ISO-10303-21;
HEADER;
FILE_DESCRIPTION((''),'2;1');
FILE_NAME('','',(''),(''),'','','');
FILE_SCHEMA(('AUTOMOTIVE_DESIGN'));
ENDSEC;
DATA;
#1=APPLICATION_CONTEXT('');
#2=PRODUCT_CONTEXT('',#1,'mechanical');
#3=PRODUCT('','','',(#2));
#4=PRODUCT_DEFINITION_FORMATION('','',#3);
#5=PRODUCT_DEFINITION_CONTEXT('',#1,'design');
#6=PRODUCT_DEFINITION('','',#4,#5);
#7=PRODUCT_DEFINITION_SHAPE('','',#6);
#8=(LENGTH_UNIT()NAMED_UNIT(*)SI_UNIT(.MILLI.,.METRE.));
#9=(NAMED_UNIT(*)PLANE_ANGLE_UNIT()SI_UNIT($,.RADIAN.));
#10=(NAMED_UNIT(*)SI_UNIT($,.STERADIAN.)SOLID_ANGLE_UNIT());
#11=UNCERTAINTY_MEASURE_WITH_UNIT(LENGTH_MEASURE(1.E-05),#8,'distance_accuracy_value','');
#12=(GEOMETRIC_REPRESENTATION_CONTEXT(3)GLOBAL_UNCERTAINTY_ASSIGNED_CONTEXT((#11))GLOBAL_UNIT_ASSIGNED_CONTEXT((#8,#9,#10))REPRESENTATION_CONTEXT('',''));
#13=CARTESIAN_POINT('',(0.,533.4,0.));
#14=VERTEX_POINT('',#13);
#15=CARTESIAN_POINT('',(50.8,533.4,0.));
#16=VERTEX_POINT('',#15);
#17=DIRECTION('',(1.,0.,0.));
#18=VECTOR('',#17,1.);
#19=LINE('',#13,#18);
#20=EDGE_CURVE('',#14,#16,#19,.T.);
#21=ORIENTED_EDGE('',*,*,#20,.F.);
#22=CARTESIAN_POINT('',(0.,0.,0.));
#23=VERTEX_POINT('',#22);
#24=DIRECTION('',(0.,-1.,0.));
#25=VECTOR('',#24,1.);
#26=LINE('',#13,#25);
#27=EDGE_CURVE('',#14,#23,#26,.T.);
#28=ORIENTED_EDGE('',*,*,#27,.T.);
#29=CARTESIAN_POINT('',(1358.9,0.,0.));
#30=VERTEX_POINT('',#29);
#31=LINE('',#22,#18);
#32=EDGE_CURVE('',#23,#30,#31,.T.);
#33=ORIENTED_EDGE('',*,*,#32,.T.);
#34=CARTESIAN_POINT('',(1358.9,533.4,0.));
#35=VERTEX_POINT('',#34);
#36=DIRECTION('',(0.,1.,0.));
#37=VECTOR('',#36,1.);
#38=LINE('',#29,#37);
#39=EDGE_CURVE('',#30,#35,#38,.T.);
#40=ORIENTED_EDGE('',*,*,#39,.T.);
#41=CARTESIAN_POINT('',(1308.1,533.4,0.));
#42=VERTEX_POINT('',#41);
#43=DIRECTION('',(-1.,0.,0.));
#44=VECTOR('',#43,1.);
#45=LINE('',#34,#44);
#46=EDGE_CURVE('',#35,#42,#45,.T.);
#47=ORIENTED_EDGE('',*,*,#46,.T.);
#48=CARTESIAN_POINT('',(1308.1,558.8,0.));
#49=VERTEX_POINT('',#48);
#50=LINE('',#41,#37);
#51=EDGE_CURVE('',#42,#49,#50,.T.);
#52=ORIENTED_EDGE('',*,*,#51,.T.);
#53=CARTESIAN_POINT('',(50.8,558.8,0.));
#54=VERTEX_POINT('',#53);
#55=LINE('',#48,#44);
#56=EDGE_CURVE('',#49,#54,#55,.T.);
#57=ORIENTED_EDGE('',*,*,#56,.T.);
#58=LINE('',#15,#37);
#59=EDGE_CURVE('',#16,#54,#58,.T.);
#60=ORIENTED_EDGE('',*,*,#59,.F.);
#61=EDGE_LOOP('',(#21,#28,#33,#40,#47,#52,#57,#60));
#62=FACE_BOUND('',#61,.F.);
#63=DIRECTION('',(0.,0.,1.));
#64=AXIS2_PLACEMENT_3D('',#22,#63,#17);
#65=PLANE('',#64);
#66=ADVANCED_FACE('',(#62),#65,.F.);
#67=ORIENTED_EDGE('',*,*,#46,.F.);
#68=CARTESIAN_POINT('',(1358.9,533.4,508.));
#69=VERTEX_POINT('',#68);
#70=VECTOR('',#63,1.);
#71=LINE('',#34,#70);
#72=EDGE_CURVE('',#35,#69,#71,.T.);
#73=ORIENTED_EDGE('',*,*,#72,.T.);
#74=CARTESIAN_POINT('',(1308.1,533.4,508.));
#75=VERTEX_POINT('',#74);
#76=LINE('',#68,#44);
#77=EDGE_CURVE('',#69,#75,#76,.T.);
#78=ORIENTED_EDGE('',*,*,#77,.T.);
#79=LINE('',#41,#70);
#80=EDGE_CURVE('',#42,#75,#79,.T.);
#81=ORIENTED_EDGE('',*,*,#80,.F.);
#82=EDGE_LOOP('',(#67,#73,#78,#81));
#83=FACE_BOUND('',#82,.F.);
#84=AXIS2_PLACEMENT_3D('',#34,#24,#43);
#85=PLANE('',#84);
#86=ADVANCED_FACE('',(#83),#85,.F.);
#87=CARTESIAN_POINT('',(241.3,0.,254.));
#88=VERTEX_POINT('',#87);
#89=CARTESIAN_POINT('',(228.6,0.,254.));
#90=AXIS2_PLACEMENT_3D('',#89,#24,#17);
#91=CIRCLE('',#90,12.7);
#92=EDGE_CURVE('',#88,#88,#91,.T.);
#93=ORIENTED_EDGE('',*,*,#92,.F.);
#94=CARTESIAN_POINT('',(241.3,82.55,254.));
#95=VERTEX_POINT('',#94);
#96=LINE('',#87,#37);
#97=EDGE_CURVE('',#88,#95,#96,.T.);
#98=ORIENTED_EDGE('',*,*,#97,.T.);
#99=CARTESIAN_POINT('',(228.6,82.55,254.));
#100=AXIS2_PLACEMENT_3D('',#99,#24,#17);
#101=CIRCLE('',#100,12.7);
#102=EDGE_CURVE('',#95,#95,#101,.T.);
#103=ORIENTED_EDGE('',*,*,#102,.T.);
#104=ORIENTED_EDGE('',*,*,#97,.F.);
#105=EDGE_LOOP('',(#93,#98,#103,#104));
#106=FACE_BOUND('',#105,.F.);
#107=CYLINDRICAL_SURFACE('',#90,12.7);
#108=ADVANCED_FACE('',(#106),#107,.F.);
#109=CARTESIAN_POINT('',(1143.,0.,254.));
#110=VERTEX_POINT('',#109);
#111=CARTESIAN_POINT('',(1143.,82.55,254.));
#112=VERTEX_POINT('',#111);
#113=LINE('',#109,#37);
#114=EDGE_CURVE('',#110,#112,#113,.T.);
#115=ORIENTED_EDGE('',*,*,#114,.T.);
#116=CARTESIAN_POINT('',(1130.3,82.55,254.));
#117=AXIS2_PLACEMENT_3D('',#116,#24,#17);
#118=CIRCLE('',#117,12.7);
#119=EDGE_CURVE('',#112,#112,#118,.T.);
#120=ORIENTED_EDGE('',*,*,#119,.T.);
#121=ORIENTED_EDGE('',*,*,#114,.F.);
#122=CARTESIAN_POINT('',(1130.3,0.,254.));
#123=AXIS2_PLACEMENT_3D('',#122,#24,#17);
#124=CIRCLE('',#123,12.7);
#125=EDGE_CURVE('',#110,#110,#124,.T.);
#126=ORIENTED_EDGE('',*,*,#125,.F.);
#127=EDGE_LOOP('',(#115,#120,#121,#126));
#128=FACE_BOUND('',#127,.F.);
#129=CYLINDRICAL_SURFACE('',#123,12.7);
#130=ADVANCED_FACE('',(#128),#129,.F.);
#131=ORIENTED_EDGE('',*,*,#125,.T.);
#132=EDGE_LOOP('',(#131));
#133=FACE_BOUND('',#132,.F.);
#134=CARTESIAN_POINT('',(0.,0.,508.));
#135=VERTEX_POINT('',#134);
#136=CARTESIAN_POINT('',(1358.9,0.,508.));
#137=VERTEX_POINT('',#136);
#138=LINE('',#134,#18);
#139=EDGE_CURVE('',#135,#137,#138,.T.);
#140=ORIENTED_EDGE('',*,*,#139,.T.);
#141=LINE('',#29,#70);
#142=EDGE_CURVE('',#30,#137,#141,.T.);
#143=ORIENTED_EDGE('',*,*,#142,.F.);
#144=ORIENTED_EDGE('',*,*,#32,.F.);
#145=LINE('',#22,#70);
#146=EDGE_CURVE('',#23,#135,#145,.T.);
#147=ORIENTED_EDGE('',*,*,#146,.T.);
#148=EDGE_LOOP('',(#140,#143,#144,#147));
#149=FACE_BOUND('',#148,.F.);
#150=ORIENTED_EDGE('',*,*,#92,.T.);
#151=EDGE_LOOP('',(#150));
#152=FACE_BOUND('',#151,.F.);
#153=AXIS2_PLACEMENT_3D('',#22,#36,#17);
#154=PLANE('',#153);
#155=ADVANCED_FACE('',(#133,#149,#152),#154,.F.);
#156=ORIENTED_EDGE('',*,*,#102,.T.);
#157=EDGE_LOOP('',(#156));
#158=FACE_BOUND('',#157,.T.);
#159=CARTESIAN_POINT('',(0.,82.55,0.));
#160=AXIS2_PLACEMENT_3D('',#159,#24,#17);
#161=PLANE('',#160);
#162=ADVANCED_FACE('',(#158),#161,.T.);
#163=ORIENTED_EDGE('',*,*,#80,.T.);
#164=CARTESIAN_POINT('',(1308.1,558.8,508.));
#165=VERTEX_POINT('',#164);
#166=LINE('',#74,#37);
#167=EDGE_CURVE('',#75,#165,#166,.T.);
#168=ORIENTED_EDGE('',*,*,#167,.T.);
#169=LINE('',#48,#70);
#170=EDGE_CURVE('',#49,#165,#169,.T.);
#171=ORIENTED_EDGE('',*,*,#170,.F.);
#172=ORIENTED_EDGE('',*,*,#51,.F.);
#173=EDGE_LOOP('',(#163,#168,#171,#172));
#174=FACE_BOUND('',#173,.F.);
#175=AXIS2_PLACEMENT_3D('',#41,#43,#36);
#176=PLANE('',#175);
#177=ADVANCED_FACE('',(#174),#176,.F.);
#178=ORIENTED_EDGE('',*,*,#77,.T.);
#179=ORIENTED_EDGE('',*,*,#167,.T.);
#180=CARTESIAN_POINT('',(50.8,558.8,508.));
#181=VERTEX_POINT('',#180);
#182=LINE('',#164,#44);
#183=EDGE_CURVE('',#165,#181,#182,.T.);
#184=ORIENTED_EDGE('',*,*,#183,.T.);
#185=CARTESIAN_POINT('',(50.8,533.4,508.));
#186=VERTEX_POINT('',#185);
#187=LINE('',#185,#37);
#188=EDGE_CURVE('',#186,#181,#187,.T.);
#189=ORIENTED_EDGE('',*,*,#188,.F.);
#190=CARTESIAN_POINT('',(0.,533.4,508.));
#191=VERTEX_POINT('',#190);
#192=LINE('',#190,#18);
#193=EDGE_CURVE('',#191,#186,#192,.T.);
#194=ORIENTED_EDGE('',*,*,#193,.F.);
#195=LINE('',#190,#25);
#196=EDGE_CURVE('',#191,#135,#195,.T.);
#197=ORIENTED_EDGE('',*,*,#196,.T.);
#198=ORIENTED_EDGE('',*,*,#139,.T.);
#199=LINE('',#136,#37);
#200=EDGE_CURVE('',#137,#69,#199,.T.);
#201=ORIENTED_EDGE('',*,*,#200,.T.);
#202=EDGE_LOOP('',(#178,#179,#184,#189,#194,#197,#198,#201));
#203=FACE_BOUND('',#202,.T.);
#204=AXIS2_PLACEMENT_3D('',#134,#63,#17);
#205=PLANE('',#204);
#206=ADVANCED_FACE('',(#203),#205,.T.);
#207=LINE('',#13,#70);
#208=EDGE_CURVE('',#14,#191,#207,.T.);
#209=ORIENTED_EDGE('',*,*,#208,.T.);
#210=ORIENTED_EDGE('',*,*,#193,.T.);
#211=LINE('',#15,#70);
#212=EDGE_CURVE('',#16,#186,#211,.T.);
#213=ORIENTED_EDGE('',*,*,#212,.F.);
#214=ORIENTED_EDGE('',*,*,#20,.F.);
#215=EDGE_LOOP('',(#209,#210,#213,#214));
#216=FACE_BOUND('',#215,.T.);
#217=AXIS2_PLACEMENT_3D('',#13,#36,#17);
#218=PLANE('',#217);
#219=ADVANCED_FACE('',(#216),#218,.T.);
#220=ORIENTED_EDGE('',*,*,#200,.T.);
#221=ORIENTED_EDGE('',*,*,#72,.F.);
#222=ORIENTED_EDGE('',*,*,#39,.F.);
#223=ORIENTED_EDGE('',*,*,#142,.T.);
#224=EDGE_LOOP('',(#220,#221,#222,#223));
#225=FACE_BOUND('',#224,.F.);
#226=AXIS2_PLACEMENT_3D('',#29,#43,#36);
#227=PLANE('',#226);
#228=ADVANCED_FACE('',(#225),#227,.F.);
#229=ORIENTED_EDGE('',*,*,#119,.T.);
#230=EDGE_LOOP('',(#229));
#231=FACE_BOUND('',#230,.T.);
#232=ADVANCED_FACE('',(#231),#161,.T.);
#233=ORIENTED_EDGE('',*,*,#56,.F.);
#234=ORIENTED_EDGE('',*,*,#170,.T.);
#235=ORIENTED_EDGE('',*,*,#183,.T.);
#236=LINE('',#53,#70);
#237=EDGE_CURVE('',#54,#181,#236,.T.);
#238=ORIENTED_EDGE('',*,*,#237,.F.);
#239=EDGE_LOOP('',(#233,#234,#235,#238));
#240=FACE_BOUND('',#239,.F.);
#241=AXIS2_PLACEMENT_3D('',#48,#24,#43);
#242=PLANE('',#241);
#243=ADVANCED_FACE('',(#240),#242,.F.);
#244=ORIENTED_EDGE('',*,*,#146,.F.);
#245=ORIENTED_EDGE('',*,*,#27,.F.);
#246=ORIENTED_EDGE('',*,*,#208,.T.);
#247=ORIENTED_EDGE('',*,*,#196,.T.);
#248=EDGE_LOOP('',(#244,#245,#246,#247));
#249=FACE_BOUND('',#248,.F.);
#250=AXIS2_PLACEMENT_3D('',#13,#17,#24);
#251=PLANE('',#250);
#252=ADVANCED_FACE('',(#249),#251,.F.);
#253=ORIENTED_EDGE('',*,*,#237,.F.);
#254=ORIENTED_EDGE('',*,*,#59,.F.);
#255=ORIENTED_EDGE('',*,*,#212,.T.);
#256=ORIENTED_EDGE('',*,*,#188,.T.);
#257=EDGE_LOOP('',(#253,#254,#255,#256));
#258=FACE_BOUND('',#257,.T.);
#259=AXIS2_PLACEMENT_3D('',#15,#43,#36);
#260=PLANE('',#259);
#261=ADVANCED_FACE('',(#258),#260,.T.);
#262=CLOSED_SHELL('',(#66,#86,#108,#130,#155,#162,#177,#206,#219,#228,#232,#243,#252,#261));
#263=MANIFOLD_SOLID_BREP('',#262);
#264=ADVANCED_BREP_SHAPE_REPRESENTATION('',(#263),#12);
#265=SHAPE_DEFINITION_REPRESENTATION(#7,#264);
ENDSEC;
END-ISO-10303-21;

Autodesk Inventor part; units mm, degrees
ref_plane "YZ Plane" through (0, 0, 0) normal (1, 0, 0) x (0, 1, 0)
ref_plane "XZ Plane" through (0, 0, 0) normal (0, 1, 0) x (-1, 0, 0)
ref_plane "XY Plane" through (0, 0, 0) normal (0, 0, 1) x (1, 0, 0)
sketch "Sketch1" plane through (0, 0, 0) normal (0, 0, 1) x (1, 0, 0)
  line L0 (0, 0) -> (1358.9, 0)
  line L1 (1358.9, 0) -> (1358.9, 533.4)
  line L2 (1358.9, 558.8) -> (1308.1, 558.8) construction
  line L3 (0, 558.8) -> (0, 533.4) construction
  line L4 (0, 533.4) -> (50.8, 533.4)
  line L5 (50.8, 533.4) -> (50.8, 558.8)
  line L6 (50.8, 558.8) -> (0, 558.8) construction
  line L7 (0, 533.4) -> (0, 0)
  line L8 (1358.9, 533.4) -> (1308.1, 533.4)
  line L9 (1308.1, 533.4) -> (1308.1, 558.8)
  line L10 (1308.1, 558.8) -> (50.8, 558.8)
  line L11 (1358.9, 533.4) -> (1358.9, 558.8) construction
  dimension "d0" = 1358.9
  dimension "d1" = 558.8
  dimension "d2" = 25.4
  dimension "d3" = 50.8
  dimension "d4" = 25.4
  dimension "d5" = 50.8
extrude "Extrusion1" add sketch "Sketch1" along normal blind 508
sketch "Sketch2" plane through (0, 0, 0) normal (0, -1, 0) x (1, 0, 0)
  line L0 (0, 0) -> (0, 508) projected
  line L1 (0, 254) -> (1358.9, 254) construction
  line L2 (1358.9, 0) -> (1358.9, 508) construction
  circle A0 centre (228.6, 254) radius 12.7
  circle A1 centre (1130.3, 254) radius 12.7
  dimension "d8" = 25.4
  dimension "d9" = 25.4
  dimension "d10" = 228.6
  dimension "d11" = 228.6
extrude "Extrusion2" cut sketch "Sketch2" against normal blind 82.55
equation "\"d11\" = d10"
properties part number "Seat block B" material "Granite, Cut, Polished"
